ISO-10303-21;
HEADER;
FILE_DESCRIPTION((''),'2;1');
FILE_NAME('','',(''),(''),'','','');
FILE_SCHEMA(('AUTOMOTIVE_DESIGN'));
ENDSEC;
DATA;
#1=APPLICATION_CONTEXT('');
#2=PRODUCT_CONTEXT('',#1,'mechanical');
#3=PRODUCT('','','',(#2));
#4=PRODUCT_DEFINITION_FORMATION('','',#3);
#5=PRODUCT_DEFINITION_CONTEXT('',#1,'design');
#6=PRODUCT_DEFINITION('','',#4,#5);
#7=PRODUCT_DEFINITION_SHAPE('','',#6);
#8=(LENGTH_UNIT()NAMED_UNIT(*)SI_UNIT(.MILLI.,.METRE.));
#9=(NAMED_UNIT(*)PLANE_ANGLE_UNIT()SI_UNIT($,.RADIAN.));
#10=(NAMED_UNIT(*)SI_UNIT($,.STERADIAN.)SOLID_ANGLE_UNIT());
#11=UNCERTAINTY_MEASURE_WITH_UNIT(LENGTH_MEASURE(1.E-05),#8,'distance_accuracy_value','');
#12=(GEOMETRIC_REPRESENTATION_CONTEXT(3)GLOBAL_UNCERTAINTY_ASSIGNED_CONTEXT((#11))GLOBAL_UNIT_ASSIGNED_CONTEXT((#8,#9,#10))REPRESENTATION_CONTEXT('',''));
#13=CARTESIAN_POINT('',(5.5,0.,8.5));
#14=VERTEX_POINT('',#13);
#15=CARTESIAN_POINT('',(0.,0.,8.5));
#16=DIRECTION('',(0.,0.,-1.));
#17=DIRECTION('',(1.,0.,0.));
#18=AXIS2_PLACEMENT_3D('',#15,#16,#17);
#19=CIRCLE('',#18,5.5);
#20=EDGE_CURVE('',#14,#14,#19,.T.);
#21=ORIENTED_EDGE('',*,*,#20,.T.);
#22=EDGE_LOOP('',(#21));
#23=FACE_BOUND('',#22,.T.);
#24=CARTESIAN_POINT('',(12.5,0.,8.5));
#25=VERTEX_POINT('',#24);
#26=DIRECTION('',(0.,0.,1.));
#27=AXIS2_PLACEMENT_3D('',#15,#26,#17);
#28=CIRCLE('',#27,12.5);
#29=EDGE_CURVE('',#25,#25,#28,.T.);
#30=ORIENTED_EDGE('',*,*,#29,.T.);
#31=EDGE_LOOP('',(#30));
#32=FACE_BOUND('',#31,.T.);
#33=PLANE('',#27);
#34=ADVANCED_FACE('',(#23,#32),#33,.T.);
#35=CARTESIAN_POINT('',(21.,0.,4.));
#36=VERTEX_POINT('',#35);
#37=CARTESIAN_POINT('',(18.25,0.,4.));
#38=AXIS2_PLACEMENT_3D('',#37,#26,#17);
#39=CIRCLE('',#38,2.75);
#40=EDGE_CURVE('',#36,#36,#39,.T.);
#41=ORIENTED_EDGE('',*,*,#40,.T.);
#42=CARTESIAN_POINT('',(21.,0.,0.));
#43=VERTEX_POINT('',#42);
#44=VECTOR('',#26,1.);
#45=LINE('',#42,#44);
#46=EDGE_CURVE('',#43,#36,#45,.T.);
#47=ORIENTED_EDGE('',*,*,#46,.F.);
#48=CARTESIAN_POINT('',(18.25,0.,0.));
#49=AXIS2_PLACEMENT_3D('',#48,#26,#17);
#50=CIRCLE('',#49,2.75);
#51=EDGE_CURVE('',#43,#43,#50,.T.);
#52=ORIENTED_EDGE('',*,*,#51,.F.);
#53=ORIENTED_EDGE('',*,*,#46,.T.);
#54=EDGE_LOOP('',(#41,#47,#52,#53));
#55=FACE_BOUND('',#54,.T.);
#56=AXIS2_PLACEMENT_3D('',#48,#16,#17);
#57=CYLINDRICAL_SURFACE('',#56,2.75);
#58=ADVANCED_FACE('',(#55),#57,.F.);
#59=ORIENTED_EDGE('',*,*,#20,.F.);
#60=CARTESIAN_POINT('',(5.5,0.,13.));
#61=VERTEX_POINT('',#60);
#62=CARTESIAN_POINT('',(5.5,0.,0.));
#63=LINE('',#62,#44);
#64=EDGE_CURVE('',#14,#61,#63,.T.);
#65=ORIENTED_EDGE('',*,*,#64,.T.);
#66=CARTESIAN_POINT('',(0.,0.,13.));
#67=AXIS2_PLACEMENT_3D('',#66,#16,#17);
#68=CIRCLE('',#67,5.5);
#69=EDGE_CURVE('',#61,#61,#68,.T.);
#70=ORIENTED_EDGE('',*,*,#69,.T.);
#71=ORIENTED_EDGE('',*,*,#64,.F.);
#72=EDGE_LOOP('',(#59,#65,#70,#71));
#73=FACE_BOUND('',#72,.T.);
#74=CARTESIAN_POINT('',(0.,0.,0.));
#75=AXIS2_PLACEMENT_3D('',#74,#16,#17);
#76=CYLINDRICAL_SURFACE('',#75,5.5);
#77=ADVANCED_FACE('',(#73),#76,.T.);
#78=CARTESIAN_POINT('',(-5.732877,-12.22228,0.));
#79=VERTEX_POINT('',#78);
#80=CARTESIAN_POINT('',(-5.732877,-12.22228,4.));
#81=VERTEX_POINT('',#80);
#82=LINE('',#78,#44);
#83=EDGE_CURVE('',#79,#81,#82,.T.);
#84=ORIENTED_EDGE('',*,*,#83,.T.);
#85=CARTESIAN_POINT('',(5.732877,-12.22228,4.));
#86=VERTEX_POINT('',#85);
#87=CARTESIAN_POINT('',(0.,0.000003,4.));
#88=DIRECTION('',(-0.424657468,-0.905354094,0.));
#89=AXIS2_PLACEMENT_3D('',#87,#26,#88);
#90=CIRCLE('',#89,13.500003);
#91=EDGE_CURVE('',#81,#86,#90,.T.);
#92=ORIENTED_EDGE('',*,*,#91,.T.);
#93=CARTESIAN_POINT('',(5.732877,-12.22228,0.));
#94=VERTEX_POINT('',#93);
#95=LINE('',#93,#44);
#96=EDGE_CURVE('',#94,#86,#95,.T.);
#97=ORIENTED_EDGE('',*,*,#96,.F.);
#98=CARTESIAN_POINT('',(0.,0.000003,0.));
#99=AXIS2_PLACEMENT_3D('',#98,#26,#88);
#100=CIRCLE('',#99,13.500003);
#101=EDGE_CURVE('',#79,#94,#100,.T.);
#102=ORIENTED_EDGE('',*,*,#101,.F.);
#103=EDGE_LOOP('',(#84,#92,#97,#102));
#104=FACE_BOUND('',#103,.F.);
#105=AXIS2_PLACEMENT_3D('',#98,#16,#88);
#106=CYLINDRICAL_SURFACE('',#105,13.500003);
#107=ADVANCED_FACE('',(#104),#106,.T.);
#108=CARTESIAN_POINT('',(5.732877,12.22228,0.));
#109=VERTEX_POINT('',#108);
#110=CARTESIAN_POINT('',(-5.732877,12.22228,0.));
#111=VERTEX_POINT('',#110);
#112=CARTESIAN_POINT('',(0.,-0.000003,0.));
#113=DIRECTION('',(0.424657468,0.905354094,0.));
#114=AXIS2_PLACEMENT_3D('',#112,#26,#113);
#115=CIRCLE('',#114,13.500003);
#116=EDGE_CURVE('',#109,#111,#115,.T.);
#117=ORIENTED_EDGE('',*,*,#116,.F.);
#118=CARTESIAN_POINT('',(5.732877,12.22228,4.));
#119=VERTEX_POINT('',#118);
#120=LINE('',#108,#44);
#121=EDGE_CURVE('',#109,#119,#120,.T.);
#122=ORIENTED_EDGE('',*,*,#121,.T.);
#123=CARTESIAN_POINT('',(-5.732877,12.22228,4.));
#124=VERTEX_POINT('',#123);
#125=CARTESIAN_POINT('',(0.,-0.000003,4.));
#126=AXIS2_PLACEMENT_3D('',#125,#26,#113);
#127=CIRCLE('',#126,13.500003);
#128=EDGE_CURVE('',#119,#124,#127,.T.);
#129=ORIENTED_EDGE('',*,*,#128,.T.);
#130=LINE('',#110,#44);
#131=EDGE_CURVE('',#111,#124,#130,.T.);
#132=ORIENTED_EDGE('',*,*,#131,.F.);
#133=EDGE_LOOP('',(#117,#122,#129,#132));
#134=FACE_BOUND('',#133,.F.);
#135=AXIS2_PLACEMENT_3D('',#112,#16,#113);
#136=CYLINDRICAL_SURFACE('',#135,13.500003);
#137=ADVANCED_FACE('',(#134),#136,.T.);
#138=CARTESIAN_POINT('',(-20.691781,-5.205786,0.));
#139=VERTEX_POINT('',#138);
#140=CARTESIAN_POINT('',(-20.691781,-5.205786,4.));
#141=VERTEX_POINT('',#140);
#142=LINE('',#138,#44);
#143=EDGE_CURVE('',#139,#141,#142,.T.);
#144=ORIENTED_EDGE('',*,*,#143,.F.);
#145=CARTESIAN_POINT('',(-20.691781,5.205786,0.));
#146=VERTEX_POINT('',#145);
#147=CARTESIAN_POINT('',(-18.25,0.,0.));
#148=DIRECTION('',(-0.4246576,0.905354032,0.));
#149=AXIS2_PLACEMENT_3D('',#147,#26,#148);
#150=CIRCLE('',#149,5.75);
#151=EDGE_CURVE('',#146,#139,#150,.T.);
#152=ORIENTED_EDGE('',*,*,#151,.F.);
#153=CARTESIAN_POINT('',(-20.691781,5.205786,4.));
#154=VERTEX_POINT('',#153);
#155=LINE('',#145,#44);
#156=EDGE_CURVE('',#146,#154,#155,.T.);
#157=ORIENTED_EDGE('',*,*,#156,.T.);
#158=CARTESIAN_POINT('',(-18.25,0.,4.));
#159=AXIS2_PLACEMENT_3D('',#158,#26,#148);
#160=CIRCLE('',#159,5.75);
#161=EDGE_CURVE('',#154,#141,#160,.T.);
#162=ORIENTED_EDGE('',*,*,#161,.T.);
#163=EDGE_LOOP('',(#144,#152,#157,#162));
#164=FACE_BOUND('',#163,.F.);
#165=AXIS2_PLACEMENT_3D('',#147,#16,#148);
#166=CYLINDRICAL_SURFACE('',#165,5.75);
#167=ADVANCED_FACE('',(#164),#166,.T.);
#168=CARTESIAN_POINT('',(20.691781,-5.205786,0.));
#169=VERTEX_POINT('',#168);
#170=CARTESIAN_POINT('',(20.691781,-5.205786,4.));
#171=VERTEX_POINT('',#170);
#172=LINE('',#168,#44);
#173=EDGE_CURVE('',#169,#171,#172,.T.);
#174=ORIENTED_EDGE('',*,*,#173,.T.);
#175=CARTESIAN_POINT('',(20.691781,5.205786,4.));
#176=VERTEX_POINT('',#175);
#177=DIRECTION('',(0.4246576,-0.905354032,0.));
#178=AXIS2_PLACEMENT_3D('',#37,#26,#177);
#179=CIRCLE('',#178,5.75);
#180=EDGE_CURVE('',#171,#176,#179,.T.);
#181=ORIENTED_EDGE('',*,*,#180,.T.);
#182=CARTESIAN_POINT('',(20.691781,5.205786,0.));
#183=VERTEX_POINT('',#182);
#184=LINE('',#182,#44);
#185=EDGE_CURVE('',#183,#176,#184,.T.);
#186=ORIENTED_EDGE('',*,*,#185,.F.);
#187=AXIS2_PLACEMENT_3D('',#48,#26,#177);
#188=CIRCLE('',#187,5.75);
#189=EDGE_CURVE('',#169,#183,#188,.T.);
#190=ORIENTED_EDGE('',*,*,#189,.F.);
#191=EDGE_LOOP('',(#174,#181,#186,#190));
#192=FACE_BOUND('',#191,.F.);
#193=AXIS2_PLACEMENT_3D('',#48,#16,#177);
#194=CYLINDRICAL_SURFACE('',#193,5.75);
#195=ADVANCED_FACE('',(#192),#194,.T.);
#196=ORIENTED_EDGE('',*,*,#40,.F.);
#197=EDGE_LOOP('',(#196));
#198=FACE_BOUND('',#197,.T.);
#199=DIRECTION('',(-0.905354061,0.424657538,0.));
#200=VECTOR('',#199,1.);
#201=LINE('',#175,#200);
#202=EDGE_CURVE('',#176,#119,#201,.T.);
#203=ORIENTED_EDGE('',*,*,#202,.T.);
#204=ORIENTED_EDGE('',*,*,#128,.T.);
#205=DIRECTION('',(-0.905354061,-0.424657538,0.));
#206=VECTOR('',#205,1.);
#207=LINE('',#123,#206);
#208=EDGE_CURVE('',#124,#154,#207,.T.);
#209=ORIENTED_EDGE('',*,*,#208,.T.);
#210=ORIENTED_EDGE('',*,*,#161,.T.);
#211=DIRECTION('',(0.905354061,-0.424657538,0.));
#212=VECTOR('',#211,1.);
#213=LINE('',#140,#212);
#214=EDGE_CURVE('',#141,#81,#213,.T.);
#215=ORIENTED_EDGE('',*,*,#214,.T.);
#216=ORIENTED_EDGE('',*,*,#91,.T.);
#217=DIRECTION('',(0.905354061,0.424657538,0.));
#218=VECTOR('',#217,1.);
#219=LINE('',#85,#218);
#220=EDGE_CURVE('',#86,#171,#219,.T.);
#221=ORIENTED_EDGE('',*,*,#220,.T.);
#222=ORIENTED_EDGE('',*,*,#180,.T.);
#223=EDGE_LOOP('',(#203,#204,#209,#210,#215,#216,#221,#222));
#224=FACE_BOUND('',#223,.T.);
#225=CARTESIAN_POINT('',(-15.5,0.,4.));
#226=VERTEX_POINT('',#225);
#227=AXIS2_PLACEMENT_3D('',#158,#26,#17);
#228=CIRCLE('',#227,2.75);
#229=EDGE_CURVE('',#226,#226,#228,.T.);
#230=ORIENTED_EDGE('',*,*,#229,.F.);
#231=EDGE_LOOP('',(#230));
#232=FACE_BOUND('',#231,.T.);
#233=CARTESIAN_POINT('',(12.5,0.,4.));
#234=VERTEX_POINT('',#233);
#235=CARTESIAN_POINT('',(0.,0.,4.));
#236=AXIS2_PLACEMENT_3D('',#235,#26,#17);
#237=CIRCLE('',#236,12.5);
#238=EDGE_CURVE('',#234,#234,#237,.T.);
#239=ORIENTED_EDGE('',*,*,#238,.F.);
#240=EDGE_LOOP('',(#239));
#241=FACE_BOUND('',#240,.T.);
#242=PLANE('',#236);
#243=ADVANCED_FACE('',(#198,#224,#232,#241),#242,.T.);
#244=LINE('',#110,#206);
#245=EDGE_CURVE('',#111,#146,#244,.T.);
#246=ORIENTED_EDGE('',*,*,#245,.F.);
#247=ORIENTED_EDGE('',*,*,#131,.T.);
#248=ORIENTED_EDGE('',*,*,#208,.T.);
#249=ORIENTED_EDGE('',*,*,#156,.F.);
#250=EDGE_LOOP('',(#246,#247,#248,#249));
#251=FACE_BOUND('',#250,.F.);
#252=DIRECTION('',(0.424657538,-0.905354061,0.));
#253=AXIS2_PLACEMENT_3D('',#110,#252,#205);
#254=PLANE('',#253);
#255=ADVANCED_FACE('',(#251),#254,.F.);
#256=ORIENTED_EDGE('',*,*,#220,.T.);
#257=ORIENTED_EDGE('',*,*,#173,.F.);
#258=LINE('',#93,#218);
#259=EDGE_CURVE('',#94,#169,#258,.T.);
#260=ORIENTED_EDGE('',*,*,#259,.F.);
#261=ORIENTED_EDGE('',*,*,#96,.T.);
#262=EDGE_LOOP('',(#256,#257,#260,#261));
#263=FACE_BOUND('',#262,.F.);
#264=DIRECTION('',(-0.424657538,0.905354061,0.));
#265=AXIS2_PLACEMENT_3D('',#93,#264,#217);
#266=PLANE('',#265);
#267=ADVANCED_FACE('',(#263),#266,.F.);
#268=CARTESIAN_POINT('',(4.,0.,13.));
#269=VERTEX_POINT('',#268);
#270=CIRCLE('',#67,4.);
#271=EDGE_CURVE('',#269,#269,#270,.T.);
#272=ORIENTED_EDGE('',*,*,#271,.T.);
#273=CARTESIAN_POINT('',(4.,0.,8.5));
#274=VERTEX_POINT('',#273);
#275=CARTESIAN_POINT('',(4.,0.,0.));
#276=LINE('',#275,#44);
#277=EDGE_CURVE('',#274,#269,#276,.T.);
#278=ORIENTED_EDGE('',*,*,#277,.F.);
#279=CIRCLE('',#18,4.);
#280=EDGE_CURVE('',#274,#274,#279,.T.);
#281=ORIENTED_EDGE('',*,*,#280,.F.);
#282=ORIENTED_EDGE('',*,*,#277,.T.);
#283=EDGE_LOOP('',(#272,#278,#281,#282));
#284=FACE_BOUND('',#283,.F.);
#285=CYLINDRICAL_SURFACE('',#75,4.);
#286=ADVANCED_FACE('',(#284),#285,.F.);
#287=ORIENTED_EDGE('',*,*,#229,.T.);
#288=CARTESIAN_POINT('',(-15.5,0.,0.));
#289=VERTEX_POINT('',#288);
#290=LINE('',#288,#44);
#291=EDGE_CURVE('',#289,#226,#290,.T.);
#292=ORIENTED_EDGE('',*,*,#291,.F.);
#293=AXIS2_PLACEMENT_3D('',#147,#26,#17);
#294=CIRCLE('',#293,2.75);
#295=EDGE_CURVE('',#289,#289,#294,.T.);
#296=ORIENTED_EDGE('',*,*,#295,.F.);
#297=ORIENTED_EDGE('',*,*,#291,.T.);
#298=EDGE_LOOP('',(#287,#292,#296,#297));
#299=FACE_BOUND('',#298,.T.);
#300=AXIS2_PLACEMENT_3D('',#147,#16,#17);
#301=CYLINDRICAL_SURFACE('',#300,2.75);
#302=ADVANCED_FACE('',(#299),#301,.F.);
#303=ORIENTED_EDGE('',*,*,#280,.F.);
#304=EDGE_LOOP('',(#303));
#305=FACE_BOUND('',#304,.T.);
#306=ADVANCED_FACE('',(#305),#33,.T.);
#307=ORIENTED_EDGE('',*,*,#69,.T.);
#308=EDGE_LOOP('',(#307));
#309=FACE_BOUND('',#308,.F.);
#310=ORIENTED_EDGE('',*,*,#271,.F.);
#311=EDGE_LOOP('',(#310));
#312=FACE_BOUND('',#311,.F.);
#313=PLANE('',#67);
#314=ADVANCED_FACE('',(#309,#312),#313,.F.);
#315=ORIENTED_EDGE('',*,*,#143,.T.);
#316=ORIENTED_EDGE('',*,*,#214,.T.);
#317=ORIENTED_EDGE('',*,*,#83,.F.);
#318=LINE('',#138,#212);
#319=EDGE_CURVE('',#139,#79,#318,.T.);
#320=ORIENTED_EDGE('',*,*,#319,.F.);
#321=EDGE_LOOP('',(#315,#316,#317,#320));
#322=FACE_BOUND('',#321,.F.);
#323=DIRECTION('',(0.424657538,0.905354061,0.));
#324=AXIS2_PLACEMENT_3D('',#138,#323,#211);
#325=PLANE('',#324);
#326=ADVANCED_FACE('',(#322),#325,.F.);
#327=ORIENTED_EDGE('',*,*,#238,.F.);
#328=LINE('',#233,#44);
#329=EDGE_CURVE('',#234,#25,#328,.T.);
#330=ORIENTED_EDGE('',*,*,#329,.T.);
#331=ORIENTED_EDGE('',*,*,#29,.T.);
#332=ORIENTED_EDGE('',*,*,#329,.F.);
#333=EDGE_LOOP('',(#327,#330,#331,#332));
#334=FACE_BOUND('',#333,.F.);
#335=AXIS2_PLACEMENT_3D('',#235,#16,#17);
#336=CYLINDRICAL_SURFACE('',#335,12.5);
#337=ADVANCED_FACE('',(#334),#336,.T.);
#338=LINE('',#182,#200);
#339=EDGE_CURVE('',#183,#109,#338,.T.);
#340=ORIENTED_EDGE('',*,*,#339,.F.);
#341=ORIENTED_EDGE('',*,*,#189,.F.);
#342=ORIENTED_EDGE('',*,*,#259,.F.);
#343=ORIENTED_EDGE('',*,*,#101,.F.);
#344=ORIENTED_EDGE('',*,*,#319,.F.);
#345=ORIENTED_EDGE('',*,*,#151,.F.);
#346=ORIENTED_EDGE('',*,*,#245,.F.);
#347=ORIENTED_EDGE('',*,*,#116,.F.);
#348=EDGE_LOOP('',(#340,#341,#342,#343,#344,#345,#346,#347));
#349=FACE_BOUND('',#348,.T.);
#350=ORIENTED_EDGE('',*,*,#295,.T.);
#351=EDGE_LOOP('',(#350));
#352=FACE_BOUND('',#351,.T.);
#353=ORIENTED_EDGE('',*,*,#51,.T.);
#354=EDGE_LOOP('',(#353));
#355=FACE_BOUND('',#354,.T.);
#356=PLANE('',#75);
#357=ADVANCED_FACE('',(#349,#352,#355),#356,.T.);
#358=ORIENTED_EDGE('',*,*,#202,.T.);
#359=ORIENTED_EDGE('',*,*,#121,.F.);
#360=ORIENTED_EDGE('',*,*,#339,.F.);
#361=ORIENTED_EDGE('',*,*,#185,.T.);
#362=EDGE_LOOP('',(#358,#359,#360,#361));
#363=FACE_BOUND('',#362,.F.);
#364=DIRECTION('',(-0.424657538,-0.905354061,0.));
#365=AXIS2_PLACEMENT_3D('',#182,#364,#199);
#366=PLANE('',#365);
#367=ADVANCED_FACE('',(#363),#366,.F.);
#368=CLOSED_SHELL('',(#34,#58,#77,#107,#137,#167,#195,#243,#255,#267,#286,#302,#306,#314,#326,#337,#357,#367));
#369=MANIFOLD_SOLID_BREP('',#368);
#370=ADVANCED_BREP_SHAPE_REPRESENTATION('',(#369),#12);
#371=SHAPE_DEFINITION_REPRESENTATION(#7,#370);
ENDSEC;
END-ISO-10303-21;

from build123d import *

# Parameters (mm, degrees)
F0_R     = 2.75
F1_DEPTH = 4
F2_R     = 12.5
F3_DEPTH = 4.5
F4_R     = 5.5
F4_R_2   = 4
F5_DEPTH = 13


with BuildPart() as f1:
    # F0 (on Top) → F1 (new body)
    with BuildSketch(Plane.XY):
        with BuildLine():
            Line((-20.691781, -5.205786), (-5.732877, -12.22228))
            ThreePointArc((-5.732877, -12.22228), (0, -13.5), (5.732877, -12.22228))
            Line((5.732877, -12.22228), (20.691781, -5.205786))
            ThreePointArc((20.691781, -5.205786), (24, 0), (20.691781, 5.205786))
            Line((20.691781, 5.205786), (5.732877, 12.22228))
            ThreePointArc((5.732877, 12.22228), (0, 13.5), (-5.732877, 12.22228))
            Line((-5.732877, 12.22228), (-20.691781, 5.205786))
            ThreePointArc((-20.691781, 5.205786), (-24, 0), (-20.691781, -5.205786))
        make_face()
        with Locations((-18.25, 0)):
            Circle(F0_R, mode=Mode.SUBTRACT)
        with Locations((18.25, 0)):
            Circle(F0_R, mode=Mode.SUBTRACT)
    extrude(amount=F1_DEPTH)

    # F2 (on face) → F3 (join)
    with BuildSketch(Plane.XY.offset(4)):
        Circle(F2_R)
    extrude(amount=F3_DEPTH)

    # F4 (on face) → F5 (join)
    with BuildSketch(Plane(origin=(0, 0, 0), x_dir=(1, 0, 0), z_dir=(0, 0, -1))):
        Circle(F4_R)
        Circle(F4_R_2, mode=Mode.SUBTRACT)
    extrude(amount=-F5_DEPTH)


solid = f1.part
